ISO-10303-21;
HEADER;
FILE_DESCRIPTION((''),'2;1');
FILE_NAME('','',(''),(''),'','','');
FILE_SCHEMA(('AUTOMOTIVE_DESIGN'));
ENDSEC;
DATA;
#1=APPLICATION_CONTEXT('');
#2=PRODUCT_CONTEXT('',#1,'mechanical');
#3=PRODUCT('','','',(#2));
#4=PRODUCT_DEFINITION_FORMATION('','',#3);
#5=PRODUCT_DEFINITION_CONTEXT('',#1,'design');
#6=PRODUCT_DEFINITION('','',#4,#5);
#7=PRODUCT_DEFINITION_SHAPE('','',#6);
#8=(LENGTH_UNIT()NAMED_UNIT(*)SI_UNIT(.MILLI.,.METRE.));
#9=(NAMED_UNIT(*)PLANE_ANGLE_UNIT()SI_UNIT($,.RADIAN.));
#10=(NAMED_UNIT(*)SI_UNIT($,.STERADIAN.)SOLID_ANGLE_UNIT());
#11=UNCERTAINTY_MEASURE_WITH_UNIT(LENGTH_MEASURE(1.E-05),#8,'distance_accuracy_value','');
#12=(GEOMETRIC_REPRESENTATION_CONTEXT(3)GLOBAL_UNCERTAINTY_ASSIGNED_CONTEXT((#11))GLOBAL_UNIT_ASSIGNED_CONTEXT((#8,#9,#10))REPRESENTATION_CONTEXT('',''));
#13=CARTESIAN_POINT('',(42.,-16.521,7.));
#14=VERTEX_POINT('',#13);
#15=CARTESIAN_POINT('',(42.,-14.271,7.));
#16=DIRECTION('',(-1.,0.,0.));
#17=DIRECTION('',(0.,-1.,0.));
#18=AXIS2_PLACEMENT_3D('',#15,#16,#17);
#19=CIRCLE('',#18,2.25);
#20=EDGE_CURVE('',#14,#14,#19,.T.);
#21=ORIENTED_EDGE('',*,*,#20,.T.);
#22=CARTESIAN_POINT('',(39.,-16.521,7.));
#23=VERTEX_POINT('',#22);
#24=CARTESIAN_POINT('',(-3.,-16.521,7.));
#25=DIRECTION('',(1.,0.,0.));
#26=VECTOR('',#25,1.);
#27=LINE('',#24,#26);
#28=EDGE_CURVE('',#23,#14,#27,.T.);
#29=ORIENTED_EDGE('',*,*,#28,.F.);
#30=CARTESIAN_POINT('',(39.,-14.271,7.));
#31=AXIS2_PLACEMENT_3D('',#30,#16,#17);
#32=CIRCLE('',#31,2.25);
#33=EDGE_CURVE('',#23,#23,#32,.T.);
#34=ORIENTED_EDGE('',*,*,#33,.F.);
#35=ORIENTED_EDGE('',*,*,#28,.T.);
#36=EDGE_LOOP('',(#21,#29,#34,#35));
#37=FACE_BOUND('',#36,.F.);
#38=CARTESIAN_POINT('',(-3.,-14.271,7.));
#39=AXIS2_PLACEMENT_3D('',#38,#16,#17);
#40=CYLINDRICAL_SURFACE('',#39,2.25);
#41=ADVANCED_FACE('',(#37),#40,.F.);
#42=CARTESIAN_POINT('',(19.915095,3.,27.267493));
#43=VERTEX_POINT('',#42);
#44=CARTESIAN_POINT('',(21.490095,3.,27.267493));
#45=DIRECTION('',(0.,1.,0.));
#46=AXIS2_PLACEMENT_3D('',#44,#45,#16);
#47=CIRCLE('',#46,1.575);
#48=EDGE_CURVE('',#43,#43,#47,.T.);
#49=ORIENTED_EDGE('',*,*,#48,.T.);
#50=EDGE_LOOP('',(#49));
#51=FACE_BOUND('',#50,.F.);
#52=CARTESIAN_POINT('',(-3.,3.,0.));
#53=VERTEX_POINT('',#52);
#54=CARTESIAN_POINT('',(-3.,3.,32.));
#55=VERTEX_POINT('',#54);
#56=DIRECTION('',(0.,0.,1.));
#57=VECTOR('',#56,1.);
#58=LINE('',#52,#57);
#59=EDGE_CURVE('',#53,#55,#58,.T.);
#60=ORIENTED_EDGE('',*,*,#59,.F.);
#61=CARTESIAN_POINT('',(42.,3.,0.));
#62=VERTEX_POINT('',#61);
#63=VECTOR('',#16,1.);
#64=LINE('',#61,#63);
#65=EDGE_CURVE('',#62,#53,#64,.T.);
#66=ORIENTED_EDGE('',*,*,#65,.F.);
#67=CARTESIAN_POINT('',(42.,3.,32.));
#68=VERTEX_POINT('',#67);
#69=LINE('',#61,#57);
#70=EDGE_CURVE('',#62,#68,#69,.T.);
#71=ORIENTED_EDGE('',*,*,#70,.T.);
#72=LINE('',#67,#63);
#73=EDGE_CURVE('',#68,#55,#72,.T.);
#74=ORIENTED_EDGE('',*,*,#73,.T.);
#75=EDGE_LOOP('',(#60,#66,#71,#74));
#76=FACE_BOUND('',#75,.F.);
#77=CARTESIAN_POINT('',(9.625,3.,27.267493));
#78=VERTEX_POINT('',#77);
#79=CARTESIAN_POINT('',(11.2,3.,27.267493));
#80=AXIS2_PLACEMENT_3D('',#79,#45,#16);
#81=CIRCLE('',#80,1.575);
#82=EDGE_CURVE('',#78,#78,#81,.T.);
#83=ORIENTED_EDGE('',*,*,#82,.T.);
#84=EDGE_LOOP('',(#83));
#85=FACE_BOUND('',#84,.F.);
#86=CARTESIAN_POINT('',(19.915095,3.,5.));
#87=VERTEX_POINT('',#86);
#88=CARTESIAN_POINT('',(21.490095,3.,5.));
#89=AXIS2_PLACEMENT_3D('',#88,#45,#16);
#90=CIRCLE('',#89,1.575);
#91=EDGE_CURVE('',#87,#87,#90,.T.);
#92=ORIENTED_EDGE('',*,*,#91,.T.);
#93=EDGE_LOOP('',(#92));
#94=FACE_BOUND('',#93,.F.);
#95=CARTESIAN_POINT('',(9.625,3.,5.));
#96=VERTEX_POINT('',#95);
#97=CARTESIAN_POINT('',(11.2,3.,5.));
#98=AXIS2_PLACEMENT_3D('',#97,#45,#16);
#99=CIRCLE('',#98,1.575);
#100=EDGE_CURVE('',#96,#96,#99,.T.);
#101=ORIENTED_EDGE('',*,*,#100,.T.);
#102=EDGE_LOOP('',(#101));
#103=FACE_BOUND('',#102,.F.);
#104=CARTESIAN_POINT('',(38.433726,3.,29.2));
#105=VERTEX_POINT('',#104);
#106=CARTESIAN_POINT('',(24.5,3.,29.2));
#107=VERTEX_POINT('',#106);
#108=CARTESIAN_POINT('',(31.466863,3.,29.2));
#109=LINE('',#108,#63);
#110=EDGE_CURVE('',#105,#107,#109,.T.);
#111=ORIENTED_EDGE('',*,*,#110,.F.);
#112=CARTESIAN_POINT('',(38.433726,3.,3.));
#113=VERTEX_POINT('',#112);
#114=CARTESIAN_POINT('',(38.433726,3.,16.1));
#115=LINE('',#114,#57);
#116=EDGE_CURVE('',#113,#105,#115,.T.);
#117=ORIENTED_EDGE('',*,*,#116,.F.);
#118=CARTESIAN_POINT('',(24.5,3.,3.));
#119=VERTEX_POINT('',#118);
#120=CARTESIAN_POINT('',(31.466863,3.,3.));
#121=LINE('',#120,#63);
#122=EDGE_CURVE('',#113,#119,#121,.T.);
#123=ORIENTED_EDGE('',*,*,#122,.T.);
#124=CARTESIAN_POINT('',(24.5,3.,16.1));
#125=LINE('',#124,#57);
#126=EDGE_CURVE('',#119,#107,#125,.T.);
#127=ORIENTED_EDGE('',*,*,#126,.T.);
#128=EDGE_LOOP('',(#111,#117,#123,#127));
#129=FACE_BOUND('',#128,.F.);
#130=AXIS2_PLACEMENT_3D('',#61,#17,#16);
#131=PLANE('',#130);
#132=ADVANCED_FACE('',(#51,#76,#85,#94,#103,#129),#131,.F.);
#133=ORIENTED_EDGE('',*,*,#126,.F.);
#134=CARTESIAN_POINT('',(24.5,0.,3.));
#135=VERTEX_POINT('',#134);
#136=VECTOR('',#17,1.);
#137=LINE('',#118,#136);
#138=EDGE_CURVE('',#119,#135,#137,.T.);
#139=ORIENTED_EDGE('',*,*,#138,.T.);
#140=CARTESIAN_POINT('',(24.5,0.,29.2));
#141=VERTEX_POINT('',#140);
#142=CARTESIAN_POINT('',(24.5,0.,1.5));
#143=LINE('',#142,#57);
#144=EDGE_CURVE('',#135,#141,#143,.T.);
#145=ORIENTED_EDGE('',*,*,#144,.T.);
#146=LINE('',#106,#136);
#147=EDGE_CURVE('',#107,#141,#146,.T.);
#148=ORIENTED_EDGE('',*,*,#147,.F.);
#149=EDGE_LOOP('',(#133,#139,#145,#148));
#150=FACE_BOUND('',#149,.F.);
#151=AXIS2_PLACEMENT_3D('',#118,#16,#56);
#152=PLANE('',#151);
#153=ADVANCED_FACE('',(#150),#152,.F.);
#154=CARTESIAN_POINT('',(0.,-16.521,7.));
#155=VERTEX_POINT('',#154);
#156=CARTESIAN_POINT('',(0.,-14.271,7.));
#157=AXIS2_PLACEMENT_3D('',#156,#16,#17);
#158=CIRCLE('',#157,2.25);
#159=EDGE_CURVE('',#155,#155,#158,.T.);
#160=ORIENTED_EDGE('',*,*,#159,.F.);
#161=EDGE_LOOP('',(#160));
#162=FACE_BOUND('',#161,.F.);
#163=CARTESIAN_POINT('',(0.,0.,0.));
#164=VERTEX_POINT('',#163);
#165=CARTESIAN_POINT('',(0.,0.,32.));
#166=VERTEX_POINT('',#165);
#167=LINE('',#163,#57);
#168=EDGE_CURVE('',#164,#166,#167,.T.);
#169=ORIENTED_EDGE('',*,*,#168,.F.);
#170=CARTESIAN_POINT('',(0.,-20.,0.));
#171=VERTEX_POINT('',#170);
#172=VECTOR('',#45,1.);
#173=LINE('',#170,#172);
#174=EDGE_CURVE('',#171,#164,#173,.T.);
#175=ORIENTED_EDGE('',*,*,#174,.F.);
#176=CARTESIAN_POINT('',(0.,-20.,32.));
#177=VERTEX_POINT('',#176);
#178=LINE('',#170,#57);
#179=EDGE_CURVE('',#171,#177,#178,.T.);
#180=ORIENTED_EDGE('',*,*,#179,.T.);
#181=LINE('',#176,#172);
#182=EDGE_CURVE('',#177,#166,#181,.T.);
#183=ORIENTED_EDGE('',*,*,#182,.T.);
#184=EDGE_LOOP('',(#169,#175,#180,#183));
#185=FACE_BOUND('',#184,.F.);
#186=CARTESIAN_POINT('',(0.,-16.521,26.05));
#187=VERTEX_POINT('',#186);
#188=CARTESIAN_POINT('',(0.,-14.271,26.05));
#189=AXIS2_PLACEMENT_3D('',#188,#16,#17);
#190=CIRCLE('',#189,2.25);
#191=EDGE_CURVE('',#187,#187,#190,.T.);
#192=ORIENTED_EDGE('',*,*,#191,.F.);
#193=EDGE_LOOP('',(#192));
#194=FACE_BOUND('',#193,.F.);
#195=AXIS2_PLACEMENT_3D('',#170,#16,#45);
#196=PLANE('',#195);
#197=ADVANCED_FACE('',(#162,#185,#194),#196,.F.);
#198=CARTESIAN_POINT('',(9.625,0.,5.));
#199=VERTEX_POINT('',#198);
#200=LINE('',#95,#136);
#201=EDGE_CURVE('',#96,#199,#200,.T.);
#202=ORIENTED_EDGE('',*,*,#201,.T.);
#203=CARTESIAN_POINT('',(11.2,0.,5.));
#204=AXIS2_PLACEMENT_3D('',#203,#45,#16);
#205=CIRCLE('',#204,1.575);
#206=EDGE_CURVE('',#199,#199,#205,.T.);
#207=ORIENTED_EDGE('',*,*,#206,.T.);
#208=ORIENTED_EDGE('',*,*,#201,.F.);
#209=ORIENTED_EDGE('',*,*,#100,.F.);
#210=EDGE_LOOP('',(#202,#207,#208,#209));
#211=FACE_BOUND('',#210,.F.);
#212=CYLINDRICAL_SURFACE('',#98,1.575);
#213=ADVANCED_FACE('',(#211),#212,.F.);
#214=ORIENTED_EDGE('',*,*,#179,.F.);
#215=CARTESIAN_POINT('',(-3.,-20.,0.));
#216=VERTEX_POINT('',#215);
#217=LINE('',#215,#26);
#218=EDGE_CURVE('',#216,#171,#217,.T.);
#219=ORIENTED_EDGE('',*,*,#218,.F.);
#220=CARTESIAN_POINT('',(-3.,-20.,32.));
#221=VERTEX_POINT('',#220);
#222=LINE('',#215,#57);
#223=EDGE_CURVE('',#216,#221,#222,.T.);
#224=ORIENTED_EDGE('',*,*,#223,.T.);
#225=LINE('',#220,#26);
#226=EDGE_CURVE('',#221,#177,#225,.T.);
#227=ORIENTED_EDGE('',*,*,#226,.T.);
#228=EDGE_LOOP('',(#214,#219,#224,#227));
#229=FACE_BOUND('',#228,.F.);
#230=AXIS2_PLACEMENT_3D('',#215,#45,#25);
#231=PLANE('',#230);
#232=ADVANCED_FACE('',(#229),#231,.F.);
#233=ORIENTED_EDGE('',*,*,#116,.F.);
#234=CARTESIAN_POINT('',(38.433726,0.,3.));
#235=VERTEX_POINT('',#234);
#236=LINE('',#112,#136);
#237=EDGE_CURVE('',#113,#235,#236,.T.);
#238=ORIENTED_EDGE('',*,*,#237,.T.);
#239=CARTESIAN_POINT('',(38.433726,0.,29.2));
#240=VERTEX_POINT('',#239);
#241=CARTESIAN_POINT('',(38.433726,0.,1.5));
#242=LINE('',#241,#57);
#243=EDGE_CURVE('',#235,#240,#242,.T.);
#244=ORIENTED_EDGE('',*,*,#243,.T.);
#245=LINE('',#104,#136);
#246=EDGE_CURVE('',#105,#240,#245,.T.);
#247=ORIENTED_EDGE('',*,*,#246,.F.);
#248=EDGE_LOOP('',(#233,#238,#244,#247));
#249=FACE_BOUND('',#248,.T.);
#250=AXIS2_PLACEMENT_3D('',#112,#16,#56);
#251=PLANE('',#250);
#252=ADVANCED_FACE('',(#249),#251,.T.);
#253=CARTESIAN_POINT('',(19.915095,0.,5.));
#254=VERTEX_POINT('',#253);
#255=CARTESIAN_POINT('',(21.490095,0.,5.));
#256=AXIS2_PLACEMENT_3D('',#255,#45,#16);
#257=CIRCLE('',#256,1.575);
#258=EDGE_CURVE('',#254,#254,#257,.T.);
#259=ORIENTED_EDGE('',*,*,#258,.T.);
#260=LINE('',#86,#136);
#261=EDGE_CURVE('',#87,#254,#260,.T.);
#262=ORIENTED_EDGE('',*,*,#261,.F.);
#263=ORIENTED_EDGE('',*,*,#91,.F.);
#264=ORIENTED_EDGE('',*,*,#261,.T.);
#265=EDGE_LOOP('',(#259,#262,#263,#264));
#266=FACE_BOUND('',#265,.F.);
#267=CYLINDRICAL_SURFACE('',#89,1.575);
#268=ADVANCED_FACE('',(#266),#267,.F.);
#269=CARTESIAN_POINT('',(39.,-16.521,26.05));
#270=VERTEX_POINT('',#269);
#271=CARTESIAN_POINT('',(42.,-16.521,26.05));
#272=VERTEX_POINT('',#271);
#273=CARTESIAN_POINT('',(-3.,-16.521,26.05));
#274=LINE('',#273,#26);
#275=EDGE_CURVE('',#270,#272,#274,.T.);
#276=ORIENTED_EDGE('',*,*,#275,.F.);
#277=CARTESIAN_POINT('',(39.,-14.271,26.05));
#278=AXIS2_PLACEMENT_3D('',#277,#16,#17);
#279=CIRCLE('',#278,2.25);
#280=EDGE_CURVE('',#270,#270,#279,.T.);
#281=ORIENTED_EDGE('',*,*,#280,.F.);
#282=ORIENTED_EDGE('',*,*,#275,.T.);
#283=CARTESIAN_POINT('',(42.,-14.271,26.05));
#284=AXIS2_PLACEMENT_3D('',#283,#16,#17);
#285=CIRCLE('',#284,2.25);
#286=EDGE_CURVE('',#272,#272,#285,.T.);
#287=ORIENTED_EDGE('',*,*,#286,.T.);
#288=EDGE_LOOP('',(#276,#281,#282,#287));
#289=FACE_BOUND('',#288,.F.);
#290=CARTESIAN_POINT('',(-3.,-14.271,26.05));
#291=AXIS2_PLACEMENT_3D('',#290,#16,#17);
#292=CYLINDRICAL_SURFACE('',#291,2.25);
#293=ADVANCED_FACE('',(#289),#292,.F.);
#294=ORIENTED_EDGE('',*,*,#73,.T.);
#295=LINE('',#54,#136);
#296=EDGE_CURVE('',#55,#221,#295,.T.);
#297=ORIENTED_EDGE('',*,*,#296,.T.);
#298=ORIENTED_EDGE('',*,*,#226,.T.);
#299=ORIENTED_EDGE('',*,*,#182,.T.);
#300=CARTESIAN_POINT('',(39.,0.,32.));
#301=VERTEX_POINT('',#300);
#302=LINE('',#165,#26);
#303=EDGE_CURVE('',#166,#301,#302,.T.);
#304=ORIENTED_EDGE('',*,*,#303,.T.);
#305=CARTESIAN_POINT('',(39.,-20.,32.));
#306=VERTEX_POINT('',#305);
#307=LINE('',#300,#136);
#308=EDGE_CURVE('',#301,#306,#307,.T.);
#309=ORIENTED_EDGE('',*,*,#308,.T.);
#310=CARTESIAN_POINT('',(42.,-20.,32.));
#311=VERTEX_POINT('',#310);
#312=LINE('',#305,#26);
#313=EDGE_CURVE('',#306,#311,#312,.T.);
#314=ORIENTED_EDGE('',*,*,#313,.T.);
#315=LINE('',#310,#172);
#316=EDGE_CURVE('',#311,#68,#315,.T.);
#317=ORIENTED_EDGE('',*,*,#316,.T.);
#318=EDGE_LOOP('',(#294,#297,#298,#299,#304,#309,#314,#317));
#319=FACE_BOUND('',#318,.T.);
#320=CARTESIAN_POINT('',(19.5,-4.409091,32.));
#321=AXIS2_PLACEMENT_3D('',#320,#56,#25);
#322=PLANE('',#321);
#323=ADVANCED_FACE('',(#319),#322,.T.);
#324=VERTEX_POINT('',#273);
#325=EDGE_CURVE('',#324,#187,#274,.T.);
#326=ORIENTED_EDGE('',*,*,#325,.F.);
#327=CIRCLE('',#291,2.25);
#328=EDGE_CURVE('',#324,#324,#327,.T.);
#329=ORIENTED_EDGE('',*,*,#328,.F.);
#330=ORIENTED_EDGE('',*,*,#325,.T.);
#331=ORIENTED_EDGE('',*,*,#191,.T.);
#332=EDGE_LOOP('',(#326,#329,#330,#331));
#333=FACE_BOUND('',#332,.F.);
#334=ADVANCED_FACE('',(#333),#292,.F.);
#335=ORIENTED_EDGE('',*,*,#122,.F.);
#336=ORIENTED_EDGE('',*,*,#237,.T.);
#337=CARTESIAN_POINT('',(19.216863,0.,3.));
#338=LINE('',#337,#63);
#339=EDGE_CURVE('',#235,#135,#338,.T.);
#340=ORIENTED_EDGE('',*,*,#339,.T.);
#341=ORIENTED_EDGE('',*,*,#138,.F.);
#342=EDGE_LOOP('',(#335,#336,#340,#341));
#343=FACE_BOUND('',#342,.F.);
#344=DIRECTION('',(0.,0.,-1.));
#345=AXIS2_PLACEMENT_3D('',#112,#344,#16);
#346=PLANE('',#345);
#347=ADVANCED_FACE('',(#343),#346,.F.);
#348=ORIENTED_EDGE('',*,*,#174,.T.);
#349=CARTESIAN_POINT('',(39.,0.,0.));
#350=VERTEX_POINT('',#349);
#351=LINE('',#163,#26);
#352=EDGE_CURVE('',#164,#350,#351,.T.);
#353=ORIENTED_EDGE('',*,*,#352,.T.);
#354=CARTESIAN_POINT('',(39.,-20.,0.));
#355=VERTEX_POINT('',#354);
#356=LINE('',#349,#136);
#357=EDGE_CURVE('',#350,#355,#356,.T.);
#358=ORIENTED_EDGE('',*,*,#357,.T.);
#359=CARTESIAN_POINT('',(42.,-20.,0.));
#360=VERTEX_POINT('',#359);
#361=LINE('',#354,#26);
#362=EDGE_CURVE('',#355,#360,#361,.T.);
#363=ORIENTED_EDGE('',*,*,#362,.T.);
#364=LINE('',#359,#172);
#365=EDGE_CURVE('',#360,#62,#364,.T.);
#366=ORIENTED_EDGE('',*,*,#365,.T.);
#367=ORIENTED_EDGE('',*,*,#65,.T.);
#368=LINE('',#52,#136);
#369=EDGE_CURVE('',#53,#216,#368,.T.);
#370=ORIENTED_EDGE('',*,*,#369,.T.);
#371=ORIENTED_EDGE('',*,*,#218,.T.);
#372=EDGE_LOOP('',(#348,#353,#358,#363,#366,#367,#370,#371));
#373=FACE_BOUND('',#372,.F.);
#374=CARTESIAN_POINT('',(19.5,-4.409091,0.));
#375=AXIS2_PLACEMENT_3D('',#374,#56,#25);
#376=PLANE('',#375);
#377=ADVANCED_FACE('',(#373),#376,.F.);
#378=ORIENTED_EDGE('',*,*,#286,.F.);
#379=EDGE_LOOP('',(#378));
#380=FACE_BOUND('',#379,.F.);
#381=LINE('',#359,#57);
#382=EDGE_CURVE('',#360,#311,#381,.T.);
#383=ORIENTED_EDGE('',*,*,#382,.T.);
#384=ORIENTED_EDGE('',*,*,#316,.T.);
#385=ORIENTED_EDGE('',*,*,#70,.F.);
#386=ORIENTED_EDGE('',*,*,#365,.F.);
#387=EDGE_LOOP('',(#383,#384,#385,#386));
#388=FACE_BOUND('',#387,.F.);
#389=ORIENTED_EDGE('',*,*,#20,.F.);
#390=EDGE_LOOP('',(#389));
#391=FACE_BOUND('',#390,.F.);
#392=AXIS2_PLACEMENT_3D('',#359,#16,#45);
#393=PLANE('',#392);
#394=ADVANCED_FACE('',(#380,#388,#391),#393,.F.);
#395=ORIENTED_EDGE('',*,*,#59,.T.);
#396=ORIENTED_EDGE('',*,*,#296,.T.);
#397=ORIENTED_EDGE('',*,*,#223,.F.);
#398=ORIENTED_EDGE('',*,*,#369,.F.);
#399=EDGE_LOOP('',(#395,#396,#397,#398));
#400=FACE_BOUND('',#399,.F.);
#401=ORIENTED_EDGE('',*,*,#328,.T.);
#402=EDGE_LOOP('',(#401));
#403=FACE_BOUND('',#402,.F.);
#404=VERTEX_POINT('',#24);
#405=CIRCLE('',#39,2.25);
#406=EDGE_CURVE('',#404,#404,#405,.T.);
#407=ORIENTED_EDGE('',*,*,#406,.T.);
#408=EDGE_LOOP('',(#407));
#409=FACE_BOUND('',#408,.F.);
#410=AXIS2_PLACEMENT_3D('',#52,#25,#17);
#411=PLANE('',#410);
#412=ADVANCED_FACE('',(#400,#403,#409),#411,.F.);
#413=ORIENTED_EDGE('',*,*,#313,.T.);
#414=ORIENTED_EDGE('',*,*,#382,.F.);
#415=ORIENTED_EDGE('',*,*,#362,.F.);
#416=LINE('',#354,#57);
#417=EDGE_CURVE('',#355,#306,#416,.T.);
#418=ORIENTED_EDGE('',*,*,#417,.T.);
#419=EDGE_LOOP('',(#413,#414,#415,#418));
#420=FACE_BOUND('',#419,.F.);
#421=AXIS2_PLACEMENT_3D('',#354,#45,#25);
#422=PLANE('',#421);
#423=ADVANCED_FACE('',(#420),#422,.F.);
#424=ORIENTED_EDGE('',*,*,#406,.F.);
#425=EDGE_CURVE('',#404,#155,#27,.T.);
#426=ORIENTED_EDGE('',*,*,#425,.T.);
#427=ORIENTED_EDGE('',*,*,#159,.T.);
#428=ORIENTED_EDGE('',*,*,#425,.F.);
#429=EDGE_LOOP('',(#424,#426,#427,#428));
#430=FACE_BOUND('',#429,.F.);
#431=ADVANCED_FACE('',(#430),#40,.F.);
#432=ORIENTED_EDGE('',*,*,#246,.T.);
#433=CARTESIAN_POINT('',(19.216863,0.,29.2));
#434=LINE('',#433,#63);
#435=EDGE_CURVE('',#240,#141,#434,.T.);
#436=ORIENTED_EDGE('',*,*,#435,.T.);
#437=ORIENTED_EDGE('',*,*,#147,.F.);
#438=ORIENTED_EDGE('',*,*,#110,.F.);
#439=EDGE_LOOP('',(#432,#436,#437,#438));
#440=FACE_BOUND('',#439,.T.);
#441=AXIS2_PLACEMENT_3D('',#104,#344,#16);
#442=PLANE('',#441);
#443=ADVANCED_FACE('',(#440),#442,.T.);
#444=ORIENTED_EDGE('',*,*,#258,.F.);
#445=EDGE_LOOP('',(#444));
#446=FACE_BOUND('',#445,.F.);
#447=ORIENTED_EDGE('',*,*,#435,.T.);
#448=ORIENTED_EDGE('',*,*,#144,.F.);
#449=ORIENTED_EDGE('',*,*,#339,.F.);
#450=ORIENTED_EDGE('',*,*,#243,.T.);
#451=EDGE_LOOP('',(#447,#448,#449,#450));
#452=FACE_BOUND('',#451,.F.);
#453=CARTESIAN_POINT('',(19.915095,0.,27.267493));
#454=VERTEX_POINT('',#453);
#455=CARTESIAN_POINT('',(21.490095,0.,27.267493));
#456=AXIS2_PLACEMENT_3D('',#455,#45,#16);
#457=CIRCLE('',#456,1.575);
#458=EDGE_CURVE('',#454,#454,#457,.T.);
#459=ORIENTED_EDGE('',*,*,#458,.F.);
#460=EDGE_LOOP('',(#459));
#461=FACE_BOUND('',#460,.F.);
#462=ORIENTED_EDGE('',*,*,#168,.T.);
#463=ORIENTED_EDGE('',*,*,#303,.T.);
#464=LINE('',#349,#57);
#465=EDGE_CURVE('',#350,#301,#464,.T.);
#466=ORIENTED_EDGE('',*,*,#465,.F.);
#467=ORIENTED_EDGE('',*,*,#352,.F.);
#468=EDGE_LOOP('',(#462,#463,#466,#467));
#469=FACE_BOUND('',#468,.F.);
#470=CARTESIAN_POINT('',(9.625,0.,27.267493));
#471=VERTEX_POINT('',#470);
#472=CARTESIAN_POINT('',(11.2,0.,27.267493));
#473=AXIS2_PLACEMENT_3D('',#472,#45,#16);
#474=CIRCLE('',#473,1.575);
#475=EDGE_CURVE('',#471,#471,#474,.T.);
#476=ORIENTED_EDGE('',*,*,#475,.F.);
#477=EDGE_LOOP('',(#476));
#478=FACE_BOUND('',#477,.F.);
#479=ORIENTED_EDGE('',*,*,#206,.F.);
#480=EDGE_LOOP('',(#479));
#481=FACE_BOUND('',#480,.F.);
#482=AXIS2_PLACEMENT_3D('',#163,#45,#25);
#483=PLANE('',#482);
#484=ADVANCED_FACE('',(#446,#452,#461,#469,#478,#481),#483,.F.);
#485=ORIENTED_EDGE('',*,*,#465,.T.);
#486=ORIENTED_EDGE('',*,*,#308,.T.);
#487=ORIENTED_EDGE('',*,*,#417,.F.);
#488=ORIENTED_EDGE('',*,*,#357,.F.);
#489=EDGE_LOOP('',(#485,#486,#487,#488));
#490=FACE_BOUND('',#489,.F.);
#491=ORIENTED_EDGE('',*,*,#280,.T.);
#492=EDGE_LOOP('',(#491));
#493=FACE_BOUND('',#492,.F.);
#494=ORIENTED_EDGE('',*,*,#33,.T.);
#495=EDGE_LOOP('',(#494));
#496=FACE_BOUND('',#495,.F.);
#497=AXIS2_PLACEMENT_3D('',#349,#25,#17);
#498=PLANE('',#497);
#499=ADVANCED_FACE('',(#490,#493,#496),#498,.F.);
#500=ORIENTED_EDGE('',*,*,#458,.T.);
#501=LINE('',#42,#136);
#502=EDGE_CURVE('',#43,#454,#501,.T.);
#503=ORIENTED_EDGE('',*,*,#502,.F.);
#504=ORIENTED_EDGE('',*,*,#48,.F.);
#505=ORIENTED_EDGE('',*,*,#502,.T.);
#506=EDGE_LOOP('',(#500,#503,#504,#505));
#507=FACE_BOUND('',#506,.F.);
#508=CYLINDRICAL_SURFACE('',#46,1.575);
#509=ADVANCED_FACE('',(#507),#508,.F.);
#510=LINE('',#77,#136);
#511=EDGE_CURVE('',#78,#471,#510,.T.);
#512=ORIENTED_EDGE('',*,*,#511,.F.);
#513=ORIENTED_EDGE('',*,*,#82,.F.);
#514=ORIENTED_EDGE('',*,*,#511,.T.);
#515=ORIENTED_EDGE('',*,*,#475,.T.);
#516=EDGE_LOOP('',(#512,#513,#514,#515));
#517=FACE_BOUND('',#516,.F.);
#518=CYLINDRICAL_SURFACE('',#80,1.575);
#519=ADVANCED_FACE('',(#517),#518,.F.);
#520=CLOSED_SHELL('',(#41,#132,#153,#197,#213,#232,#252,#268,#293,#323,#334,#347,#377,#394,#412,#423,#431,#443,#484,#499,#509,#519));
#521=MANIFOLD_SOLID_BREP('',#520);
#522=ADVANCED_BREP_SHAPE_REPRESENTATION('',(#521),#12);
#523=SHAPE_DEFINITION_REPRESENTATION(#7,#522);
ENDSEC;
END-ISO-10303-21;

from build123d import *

# Parameters (mm, degrees)
PAD_DEPTH       = 32
SKETCH002_R     = 2.25
POCKET_DEPTH    = 45.001
SKETCH003_R     = 1.575
SKETCH003_W     = 13.933726
SKETCH003_H     = 26.2
POCKET001_DEPTH = 5


with BuildPart() as part:
    # Sketch → Pad (new body)
    with BuildSketch(Plane.XY):
        Polygon((-3, 3), (-3, -20), (0, -20), (0, 0), (39, 0), (39, -20), (42, -20), (42, 3), align=None)
    extrude(amount=PAD_DEPTH)

    # Sketch002 (on Face1 of Pad) → Pocket (cut, through all)
    with BuildSketch(Plane(origin=(-3, 0, 0), x_dir=(0, -1, 0), z_dir=(-1, 0, 0))):
        with Locations((14.271, 7)):
            Circle(SKETCH002_R)
        with Locations((14.271, 26.05)):
            Circle(SKETCH002_R)
    extrude(amount=-POCKET_DEPTH, mode=Mode.SUBTRACT)

    # Sketch003 (on Face2 of Pocket) → Pocket001 (cut)
    with BuildSketch(Plane(origin=(0, 3, 0), x_dir=(-1, 0, 0), z_dir=(0, 1, 0))):
        with Locations((-11.2, 5)):
            Circle(SKETCH003_R)
        with Locations((-21.490095, 27.267493)):
            Circle(SKETCH003_R)
        with Locations((-11.2, 27.267493)):
            Circle(SKETCH003_R)
        with Locations((-21.490095, 5)):
            Circle(SKETCH003_R)
        with Locations((-31.466863, 16.1)):
            Rectangle(SKETCH003_W, SKETCH003_H)
    extrude(amount=-POCKET001_DEPTH, mode=Mode.SUBTRACT)


solid = part.part
